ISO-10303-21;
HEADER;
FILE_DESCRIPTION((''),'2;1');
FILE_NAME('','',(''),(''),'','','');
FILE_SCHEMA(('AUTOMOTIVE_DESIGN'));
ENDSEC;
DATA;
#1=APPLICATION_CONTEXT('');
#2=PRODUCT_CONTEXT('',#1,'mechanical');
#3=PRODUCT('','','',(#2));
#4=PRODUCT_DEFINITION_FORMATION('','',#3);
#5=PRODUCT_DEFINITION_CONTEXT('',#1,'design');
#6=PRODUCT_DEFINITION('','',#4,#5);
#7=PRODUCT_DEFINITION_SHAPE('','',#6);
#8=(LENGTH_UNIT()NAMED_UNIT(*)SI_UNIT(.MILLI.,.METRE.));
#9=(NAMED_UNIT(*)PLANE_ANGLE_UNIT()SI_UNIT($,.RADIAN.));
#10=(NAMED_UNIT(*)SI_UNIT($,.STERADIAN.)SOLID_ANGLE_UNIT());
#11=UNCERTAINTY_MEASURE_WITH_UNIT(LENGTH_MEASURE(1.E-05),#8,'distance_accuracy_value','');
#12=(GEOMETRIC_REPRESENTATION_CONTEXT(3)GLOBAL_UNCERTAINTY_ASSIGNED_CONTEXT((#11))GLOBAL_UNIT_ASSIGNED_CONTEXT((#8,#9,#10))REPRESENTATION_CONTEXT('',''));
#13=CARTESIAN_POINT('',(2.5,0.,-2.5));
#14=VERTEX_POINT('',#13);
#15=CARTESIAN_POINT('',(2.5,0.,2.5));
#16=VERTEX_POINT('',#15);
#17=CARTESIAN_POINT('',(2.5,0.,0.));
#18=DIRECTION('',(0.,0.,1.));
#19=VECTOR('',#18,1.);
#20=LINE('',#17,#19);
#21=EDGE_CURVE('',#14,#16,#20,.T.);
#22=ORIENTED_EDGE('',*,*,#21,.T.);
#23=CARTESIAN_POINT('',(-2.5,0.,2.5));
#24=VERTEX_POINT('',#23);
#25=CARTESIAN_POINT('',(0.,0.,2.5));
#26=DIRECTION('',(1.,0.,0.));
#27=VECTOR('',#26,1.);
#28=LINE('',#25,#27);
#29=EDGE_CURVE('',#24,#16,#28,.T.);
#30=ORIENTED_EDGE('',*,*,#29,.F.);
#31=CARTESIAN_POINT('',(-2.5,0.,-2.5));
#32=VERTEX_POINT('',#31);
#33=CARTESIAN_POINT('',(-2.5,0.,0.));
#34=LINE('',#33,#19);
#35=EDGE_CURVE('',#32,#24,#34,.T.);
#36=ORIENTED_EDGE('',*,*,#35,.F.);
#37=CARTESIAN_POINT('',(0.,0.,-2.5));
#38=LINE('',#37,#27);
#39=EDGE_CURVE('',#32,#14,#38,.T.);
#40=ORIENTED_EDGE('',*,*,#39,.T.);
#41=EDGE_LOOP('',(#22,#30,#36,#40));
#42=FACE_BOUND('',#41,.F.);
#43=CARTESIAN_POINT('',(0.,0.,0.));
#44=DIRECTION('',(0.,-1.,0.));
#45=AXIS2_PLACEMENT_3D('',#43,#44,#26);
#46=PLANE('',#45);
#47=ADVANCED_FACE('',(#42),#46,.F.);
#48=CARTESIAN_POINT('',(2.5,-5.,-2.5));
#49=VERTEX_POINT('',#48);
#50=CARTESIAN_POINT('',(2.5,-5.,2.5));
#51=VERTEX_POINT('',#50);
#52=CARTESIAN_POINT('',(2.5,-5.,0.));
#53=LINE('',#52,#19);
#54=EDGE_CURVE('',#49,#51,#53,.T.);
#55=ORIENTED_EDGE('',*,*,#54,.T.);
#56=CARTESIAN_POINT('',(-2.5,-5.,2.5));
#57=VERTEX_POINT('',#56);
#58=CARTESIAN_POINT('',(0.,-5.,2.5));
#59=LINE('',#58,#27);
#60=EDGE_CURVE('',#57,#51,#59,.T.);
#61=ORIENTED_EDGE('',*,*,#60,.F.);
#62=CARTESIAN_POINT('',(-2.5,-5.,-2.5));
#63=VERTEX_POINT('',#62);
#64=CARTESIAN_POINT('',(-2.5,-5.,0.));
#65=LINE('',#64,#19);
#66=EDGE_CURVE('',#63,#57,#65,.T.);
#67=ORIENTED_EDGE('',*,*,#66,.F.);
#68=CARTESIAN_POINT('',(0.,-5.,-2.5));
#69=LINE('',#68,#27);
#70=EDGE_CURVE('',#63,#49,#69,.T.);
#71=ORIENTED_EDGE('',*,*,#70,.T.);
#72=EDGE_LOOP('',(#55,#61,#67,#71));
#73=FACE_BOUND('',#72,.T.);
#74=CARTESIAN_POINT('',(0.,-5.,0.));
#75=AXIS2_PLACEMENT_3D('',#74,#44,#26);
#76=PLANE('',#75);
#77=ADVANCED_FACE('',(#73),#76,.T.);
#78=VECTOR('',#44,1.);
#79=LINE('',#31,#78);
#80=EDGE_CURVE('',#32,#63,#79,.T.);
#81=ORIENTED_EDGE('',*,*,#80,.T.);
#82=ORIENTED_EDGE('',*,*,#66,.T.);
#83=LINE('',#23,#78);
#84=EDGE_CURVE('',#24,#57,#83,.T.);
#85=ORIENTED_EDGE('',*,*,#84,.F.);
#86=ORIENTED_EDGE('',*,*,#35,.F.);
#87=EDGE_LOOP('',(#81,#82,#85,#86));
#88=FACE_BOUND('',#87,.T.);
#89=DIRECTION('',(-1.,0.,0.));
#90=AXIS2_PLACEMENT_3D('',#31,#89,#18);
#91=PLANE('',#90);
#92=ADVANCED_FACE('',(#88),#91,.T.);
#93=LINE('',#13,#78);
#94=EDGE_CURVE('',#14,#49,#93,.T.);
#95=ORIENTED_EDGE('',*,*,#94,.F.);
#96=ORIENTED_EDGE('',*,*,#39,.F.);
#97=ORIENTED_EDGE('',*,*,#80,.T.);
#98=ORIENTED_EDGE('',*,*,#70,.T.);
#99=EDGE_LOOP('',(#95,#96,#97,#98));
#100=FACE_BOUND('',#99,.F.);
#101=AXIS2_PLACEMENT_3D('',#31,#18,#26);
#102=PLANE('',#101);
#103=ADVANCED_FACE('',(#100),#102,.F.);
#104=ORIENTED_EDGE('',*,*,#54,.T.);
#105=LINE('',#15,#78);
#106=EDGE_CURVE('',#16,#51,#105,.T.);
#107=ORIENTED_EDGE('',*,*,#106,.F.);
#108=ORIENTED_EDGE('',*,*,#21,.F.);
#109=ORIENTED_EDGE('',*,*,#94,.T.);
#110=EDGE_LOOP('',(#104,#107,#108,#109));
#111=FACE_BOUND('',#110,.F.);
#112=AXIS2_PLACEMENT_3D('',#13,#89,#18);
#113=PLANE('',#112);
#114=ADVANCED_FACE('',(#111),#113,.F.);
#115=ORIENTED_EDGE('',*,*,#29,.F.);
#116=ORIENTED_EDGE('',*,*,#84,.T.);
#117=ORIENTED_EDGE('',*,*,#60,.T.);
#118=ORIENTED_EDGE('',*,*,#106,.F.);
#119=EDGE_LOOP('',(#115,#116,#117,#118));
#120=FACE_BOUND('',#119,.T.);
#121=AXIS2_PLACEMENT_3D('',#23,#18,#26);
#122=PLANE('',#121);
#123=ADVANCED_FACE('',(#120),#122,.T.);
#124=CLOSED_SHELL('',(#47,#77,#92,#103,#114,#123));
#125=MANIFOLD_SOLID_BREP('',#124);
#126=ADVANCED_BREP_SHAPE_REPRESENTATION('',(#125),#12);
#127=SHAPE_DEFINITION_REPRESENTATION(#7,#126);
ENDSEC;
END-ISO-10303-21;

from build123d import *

# Parameters (mm, degrees)
SKETCH_W  = 5
SKETCH_H  = 5
PAD_DEPTH = 5


with BuildPart() as part:
    # Sketch → Pad (new body)
    with BuildSketch(Plane.XZ):
        Rectangle(SKETCH_W, SKETCH_H)
    extrude(amount=PAD_DEPTH)


solid = part.part
